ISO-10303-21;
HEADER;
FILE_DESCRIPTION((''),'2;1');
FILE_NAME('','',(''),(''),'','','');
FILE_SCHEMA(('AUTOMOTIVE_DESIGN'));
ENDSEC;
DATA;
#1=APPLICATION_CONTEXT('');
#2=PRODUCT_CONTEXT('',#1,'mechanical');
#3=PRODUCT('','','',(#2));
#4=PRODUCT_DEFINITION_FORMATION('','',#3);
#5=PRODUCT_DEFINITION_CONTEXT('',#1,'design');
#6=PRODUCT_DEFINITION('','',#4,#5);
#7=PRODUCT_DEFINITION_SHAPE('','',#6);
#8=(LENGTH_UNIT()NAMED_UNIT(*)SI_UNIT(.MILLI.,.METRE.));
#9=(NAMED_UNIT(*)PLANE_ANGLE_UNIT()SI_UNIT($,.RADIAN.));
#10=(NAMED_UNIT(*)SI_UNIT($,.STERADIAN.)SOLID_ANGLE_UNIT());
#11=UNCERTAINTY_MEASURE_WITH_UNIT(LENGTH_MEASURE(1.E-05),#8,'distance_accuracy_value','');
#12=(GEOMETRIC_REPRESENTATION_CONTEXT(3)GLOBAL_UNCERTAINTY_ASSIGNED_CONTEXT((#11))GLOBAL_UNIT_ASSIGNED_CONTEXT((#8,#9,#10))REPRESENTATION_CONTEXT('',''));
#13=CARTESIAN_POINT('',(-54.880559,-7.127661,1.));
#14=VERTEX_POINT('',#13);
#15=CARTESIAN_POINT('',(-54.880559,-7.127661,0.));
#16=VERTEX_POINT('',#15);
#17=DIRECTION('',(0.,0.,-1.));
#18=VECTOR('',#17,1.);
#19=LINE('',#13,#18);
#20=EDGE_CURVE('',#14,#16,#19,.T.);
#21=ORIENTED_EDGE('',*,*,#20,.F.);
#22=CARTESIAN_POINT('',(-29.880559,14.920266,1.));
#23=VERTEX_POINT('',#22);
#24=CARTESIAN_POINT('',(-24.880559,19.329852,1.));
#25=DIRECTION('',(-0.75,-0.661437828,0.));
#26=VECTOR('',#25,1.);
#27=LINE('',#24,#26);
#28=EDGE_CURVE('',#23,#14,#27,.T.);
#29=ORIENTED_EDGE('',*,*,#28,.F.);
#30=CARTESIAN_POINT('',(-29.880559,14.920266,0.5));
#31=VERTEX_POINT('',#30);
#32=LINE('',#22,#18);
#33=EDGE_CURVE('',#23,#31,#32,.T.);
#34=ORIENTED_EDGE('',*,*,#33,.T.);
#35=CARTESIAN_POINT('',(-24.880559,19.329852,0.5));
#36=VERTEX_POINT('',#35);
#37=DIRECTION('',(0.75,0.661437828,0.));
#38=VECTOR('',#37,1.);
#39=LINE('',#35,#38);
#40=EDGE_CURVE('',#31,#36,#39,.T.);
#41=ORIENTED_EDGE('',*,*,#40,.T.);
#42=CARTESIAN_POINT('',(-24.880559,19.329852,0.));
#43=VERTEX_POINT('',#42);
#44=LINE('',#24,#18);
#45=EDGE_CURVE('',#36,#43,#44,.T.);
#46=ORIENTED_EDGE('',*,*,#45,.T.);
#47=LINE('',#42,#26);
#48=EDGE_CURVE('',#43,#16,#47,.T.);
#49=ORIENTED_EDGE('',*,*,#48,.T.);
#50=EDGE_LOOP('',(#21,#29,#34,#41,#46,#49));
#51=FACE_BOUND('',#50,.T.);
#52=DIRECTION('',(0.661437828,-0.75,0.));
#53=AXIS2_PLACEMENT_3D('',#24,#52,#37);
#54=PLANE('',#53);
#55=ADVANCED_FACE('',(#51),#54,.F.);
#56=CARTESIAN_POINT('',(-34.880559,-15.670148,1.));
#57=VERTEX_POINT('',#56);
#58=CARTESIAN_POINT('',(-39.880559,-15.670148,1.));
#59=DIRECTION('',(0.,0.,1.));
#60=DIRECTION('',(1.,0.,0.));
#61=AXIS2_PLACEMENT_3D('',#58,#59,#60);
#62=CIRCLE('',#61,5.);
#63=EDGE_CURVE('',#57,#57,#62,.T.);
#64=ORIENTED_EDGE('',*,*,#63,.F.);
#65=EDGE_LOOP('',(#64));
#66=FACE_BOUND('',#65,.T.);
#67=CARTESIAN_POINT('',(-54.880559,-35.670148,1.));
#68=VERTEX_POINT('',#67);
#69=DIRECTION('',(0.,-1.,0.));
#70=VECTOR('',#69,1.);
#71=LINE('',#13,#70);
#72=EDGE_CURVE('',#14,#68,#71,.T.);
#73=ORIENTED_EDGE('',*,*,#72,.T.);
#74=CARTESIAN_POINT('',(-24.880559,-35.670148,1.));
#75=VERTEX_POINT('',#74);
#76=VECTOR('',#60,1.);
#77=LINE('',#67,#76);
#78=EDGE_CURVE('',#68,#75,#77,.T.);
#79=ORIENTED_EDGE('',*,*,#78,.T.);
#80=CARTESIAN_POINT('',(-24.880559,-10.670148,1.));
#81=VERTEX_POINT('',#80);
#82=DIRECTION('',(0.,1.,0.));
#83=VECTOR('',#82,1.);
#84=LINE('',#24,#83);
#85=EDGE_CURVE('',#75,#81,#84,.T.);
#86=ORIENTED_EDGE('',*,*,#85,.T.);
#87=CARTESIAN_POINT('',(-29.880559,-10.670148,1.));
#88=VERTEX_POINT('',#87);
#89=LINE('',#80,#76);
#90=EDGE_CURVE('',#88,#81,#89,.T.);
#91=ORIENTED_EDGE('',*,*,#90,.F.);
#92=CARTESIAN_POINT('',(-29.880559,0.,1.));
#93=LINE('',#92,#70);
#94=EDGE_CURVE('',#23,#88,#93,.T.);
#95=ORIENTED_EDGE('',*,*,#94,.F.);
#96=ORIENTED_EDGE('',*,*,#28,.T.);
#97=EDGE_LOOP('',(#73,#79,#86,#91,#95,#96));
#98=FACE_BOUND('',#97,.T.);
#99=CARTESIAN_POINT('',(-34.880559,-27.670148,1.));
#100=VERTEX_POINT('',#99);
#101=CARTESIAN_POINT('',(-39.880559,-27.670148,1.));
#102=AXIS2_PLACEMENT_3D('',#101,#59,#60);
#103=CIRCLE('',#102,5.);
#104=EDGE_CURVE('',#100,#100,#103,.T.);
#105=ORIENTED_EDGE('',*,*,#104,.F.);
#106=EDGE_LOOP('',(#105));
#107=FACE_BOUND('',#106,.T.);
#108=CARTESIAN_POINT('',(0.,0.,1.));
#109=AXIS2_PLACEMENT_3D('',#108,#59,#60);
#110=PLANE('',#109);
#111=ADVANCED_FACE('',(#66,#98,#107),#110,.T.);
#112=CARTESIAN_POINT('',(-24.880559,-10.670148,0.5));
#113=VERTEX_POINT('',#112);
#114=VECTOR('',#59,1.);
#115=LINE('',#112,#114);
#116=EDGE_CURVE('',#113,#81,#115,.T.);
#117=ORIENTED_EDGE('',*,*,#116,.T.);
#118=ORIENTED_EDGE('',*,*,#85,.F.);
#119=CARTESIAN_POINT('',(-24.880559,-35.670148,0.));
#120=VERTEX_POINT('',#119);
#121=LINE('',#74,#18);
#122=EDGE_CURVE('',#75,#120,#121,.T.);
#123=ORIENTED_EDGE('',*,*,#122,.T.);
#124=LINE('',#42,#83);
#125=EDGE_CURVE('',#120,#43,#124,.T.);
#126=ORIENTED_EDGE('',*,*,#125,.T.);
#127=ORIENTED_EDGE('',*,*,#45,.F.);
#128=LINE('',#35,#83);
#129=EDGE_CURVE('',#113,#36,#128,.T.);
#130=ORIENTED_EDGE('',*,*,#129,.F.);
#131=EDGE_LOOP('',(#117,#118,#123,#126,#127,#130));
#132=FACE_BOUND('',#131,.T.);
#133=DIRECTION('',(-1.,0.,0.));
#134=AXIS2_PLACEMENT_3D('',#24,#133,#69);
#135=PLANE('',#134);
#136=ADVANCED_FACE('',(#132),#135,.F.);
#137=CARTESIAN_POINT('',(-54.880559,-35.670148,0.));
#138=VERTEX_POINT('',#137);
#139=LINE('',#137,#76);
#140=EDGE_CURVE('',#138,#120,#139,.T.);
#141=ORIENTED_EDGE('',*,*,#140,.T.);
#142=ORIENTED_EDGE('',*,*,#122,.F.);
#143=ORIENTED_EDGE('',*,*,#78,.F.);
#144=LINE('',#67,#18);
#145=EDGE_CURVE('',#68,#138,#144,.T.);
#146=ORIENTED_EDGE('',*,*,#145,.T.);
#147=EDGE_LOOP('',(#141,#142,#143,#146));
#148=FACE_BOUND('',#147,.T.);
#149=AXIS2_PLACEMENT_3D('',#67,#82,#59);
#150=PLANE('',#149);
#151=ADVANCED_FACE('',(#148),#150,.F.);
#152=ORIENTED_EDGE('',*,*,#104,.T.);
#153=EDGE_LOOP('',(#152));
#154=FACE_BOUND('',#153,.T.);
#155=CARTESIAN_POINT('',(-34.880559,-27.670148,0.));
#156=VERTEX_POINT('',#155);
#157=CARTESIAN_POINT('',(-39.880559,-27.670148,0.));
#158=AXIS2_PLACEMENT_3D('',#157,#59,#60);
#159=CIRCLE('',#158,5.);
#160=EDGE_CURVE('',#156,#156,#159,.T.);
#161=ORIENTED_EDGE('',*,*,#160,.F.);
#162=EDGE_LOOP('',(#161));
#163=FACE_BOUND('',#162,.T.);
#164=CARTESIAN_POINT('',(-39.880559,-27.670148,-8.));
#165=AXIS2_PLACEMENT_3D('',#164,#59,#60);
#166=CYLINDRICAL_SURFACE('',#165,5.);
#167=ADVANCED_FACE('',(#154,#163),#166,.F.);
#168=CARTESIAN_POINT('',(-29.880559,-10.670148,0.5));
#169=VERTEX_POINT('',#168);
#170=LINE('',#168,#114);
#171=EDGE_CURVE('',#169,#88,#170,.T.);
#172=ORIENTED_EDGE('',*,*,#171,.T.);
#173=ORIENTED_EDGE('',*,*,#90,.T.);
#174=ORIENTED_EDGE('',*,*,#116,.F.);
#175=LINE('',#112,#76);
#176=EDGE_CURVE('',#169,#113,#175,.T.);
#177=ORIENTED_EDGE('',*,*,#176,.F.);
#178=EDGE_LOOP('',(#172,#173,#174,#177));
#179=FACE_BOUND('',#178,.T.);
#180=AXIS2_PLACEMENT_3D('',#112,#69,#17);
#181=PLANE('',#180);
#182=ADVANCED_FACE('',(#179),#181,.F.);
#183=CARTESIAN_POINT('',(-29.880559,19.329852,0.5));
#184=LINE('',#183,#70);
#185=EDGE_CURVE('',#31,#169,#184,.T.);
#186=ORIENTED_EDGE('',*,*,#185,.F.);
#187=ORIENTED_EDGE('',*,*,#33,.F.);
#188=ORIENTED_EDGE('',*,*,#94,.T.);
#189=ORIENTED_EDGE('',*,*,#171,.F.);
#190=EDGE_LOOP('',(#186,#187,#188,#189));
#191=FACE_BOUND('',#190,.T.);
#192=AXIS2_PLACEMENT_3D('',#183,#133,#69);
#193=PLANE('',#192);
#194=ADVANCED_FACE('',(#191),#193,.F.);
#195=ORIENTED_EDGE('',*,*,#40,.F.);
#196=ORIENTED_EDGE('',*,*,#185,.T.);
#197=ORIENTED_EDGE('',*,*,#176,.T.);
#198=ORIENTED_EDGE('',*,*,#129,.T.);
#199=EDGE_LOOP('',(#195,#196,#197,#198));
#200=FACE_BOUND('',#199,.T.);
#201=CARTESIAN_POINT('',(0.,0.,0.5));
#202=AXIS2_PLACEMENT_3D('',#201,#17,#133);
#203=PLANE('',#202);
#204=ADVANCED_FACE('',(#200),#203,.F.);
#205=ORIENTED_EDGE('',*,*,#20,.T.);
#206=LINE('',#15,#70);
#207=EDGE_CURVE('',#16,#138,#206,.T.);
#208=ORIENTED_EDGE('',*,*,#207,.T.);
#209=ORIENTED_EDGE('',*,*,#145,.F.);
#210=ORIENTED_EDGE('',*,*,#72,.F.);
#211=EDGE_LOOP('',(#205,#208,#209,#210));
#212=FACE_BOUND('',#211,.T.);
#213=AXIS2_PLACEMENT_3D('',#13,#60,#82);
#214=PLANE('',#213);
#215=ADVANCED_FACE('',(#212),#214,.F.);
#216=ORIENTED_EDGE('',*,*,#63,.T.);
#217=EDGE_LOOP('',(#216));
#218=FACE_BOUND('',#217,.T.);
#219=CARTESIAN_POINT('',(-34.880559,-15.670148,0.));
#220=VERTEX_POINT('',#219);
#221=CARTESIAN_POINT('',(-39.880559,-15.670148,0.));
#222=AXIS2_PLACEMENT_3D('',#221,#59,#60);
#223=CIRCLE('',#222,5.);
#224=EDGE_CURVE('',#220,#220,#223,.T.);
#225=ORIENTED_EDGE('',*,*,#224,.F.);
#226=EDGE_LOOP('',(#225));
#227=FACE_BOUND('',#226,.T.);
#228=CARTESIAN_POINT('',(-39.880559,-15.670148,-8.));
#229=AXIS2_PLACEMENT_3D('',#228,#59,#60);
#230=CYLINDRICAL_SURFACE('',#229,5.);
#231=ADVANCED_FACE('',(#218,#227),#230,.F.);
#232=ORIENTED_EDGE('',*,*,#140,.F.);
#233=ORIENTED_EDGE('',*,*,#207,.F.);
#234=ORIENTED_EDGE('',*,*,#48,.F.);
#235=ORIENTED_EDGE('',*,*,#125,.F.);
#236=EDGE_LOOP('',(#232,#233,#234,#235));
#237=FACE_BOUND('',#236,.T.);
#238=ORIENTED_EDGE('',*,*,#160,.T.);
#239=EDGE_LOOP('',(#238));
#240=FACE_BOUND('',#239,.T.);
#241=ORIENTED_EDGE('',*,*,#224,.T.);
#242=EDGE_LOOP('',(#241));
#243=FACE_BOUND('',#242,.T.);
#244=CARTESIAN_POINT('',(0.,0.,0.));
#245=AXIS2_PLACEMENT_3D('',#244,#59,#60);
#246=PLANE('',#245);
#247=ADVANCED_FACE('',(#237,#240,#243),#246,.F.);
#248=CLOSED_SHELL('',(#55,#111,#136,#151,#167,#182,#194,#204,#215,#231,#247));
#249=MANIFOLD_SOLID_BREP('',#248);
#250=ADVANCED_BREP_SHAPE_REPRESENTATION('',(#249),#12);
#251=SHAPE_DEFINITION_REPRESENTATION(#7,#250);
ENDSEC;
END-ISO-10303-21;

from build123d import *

# Parameters (mm, degrees)
BOSS_EXTRUDE3_DEPTH = 1
SKETCH2_W           = 5
SKETCH2_H           = 30
CUT_EXTRUDE6_DEPTH  = 0.5
SKETCH3_R           = 5
CUT_EXTRUDE7_DEPTH  = 9


with BuildPart() as part:
    # Sketch1 → Boss-Extrude3 (new body)
    with BuildSketch(Plane.XY):
        Polygon((-24.880558789, 19.329851987), (-54.880558789, -7.127661123), (-54.880558789, -35.670148013), (-24.880558789, -35.670148013), align=None)
    extrude(amount=BOSS_EXTRUDE3_DEPTH)

    # Sketch2 → Cut-Extrude6 (cut)
    with BuildSketch(Plane.XY.offset(1)):
        with Locations((-27.380558789, 4.329851987)):
            Rectangle(SKETCH2_W, SKETCH2_H)
    extrude(amount=-CUT_EXTRUDE6_DEPTH, mode=Mode.SUBTRACT)

    # Sketch3 → Cut-Extrude7 (cut)
    with BuildSketch(Plane.XY.offset(1)):
        with Locations((-39.880558789, -27.670148013)):
            Circle(SKETCH3_R)
        with Locations((-39.880558789, -15.670148013)):
            Circle(SKETCH3_R)
    extrude(amount=-CUT_EXTRUDE7_DEPTH, mode=Mode.SUBTRACT)


solid = part.part
